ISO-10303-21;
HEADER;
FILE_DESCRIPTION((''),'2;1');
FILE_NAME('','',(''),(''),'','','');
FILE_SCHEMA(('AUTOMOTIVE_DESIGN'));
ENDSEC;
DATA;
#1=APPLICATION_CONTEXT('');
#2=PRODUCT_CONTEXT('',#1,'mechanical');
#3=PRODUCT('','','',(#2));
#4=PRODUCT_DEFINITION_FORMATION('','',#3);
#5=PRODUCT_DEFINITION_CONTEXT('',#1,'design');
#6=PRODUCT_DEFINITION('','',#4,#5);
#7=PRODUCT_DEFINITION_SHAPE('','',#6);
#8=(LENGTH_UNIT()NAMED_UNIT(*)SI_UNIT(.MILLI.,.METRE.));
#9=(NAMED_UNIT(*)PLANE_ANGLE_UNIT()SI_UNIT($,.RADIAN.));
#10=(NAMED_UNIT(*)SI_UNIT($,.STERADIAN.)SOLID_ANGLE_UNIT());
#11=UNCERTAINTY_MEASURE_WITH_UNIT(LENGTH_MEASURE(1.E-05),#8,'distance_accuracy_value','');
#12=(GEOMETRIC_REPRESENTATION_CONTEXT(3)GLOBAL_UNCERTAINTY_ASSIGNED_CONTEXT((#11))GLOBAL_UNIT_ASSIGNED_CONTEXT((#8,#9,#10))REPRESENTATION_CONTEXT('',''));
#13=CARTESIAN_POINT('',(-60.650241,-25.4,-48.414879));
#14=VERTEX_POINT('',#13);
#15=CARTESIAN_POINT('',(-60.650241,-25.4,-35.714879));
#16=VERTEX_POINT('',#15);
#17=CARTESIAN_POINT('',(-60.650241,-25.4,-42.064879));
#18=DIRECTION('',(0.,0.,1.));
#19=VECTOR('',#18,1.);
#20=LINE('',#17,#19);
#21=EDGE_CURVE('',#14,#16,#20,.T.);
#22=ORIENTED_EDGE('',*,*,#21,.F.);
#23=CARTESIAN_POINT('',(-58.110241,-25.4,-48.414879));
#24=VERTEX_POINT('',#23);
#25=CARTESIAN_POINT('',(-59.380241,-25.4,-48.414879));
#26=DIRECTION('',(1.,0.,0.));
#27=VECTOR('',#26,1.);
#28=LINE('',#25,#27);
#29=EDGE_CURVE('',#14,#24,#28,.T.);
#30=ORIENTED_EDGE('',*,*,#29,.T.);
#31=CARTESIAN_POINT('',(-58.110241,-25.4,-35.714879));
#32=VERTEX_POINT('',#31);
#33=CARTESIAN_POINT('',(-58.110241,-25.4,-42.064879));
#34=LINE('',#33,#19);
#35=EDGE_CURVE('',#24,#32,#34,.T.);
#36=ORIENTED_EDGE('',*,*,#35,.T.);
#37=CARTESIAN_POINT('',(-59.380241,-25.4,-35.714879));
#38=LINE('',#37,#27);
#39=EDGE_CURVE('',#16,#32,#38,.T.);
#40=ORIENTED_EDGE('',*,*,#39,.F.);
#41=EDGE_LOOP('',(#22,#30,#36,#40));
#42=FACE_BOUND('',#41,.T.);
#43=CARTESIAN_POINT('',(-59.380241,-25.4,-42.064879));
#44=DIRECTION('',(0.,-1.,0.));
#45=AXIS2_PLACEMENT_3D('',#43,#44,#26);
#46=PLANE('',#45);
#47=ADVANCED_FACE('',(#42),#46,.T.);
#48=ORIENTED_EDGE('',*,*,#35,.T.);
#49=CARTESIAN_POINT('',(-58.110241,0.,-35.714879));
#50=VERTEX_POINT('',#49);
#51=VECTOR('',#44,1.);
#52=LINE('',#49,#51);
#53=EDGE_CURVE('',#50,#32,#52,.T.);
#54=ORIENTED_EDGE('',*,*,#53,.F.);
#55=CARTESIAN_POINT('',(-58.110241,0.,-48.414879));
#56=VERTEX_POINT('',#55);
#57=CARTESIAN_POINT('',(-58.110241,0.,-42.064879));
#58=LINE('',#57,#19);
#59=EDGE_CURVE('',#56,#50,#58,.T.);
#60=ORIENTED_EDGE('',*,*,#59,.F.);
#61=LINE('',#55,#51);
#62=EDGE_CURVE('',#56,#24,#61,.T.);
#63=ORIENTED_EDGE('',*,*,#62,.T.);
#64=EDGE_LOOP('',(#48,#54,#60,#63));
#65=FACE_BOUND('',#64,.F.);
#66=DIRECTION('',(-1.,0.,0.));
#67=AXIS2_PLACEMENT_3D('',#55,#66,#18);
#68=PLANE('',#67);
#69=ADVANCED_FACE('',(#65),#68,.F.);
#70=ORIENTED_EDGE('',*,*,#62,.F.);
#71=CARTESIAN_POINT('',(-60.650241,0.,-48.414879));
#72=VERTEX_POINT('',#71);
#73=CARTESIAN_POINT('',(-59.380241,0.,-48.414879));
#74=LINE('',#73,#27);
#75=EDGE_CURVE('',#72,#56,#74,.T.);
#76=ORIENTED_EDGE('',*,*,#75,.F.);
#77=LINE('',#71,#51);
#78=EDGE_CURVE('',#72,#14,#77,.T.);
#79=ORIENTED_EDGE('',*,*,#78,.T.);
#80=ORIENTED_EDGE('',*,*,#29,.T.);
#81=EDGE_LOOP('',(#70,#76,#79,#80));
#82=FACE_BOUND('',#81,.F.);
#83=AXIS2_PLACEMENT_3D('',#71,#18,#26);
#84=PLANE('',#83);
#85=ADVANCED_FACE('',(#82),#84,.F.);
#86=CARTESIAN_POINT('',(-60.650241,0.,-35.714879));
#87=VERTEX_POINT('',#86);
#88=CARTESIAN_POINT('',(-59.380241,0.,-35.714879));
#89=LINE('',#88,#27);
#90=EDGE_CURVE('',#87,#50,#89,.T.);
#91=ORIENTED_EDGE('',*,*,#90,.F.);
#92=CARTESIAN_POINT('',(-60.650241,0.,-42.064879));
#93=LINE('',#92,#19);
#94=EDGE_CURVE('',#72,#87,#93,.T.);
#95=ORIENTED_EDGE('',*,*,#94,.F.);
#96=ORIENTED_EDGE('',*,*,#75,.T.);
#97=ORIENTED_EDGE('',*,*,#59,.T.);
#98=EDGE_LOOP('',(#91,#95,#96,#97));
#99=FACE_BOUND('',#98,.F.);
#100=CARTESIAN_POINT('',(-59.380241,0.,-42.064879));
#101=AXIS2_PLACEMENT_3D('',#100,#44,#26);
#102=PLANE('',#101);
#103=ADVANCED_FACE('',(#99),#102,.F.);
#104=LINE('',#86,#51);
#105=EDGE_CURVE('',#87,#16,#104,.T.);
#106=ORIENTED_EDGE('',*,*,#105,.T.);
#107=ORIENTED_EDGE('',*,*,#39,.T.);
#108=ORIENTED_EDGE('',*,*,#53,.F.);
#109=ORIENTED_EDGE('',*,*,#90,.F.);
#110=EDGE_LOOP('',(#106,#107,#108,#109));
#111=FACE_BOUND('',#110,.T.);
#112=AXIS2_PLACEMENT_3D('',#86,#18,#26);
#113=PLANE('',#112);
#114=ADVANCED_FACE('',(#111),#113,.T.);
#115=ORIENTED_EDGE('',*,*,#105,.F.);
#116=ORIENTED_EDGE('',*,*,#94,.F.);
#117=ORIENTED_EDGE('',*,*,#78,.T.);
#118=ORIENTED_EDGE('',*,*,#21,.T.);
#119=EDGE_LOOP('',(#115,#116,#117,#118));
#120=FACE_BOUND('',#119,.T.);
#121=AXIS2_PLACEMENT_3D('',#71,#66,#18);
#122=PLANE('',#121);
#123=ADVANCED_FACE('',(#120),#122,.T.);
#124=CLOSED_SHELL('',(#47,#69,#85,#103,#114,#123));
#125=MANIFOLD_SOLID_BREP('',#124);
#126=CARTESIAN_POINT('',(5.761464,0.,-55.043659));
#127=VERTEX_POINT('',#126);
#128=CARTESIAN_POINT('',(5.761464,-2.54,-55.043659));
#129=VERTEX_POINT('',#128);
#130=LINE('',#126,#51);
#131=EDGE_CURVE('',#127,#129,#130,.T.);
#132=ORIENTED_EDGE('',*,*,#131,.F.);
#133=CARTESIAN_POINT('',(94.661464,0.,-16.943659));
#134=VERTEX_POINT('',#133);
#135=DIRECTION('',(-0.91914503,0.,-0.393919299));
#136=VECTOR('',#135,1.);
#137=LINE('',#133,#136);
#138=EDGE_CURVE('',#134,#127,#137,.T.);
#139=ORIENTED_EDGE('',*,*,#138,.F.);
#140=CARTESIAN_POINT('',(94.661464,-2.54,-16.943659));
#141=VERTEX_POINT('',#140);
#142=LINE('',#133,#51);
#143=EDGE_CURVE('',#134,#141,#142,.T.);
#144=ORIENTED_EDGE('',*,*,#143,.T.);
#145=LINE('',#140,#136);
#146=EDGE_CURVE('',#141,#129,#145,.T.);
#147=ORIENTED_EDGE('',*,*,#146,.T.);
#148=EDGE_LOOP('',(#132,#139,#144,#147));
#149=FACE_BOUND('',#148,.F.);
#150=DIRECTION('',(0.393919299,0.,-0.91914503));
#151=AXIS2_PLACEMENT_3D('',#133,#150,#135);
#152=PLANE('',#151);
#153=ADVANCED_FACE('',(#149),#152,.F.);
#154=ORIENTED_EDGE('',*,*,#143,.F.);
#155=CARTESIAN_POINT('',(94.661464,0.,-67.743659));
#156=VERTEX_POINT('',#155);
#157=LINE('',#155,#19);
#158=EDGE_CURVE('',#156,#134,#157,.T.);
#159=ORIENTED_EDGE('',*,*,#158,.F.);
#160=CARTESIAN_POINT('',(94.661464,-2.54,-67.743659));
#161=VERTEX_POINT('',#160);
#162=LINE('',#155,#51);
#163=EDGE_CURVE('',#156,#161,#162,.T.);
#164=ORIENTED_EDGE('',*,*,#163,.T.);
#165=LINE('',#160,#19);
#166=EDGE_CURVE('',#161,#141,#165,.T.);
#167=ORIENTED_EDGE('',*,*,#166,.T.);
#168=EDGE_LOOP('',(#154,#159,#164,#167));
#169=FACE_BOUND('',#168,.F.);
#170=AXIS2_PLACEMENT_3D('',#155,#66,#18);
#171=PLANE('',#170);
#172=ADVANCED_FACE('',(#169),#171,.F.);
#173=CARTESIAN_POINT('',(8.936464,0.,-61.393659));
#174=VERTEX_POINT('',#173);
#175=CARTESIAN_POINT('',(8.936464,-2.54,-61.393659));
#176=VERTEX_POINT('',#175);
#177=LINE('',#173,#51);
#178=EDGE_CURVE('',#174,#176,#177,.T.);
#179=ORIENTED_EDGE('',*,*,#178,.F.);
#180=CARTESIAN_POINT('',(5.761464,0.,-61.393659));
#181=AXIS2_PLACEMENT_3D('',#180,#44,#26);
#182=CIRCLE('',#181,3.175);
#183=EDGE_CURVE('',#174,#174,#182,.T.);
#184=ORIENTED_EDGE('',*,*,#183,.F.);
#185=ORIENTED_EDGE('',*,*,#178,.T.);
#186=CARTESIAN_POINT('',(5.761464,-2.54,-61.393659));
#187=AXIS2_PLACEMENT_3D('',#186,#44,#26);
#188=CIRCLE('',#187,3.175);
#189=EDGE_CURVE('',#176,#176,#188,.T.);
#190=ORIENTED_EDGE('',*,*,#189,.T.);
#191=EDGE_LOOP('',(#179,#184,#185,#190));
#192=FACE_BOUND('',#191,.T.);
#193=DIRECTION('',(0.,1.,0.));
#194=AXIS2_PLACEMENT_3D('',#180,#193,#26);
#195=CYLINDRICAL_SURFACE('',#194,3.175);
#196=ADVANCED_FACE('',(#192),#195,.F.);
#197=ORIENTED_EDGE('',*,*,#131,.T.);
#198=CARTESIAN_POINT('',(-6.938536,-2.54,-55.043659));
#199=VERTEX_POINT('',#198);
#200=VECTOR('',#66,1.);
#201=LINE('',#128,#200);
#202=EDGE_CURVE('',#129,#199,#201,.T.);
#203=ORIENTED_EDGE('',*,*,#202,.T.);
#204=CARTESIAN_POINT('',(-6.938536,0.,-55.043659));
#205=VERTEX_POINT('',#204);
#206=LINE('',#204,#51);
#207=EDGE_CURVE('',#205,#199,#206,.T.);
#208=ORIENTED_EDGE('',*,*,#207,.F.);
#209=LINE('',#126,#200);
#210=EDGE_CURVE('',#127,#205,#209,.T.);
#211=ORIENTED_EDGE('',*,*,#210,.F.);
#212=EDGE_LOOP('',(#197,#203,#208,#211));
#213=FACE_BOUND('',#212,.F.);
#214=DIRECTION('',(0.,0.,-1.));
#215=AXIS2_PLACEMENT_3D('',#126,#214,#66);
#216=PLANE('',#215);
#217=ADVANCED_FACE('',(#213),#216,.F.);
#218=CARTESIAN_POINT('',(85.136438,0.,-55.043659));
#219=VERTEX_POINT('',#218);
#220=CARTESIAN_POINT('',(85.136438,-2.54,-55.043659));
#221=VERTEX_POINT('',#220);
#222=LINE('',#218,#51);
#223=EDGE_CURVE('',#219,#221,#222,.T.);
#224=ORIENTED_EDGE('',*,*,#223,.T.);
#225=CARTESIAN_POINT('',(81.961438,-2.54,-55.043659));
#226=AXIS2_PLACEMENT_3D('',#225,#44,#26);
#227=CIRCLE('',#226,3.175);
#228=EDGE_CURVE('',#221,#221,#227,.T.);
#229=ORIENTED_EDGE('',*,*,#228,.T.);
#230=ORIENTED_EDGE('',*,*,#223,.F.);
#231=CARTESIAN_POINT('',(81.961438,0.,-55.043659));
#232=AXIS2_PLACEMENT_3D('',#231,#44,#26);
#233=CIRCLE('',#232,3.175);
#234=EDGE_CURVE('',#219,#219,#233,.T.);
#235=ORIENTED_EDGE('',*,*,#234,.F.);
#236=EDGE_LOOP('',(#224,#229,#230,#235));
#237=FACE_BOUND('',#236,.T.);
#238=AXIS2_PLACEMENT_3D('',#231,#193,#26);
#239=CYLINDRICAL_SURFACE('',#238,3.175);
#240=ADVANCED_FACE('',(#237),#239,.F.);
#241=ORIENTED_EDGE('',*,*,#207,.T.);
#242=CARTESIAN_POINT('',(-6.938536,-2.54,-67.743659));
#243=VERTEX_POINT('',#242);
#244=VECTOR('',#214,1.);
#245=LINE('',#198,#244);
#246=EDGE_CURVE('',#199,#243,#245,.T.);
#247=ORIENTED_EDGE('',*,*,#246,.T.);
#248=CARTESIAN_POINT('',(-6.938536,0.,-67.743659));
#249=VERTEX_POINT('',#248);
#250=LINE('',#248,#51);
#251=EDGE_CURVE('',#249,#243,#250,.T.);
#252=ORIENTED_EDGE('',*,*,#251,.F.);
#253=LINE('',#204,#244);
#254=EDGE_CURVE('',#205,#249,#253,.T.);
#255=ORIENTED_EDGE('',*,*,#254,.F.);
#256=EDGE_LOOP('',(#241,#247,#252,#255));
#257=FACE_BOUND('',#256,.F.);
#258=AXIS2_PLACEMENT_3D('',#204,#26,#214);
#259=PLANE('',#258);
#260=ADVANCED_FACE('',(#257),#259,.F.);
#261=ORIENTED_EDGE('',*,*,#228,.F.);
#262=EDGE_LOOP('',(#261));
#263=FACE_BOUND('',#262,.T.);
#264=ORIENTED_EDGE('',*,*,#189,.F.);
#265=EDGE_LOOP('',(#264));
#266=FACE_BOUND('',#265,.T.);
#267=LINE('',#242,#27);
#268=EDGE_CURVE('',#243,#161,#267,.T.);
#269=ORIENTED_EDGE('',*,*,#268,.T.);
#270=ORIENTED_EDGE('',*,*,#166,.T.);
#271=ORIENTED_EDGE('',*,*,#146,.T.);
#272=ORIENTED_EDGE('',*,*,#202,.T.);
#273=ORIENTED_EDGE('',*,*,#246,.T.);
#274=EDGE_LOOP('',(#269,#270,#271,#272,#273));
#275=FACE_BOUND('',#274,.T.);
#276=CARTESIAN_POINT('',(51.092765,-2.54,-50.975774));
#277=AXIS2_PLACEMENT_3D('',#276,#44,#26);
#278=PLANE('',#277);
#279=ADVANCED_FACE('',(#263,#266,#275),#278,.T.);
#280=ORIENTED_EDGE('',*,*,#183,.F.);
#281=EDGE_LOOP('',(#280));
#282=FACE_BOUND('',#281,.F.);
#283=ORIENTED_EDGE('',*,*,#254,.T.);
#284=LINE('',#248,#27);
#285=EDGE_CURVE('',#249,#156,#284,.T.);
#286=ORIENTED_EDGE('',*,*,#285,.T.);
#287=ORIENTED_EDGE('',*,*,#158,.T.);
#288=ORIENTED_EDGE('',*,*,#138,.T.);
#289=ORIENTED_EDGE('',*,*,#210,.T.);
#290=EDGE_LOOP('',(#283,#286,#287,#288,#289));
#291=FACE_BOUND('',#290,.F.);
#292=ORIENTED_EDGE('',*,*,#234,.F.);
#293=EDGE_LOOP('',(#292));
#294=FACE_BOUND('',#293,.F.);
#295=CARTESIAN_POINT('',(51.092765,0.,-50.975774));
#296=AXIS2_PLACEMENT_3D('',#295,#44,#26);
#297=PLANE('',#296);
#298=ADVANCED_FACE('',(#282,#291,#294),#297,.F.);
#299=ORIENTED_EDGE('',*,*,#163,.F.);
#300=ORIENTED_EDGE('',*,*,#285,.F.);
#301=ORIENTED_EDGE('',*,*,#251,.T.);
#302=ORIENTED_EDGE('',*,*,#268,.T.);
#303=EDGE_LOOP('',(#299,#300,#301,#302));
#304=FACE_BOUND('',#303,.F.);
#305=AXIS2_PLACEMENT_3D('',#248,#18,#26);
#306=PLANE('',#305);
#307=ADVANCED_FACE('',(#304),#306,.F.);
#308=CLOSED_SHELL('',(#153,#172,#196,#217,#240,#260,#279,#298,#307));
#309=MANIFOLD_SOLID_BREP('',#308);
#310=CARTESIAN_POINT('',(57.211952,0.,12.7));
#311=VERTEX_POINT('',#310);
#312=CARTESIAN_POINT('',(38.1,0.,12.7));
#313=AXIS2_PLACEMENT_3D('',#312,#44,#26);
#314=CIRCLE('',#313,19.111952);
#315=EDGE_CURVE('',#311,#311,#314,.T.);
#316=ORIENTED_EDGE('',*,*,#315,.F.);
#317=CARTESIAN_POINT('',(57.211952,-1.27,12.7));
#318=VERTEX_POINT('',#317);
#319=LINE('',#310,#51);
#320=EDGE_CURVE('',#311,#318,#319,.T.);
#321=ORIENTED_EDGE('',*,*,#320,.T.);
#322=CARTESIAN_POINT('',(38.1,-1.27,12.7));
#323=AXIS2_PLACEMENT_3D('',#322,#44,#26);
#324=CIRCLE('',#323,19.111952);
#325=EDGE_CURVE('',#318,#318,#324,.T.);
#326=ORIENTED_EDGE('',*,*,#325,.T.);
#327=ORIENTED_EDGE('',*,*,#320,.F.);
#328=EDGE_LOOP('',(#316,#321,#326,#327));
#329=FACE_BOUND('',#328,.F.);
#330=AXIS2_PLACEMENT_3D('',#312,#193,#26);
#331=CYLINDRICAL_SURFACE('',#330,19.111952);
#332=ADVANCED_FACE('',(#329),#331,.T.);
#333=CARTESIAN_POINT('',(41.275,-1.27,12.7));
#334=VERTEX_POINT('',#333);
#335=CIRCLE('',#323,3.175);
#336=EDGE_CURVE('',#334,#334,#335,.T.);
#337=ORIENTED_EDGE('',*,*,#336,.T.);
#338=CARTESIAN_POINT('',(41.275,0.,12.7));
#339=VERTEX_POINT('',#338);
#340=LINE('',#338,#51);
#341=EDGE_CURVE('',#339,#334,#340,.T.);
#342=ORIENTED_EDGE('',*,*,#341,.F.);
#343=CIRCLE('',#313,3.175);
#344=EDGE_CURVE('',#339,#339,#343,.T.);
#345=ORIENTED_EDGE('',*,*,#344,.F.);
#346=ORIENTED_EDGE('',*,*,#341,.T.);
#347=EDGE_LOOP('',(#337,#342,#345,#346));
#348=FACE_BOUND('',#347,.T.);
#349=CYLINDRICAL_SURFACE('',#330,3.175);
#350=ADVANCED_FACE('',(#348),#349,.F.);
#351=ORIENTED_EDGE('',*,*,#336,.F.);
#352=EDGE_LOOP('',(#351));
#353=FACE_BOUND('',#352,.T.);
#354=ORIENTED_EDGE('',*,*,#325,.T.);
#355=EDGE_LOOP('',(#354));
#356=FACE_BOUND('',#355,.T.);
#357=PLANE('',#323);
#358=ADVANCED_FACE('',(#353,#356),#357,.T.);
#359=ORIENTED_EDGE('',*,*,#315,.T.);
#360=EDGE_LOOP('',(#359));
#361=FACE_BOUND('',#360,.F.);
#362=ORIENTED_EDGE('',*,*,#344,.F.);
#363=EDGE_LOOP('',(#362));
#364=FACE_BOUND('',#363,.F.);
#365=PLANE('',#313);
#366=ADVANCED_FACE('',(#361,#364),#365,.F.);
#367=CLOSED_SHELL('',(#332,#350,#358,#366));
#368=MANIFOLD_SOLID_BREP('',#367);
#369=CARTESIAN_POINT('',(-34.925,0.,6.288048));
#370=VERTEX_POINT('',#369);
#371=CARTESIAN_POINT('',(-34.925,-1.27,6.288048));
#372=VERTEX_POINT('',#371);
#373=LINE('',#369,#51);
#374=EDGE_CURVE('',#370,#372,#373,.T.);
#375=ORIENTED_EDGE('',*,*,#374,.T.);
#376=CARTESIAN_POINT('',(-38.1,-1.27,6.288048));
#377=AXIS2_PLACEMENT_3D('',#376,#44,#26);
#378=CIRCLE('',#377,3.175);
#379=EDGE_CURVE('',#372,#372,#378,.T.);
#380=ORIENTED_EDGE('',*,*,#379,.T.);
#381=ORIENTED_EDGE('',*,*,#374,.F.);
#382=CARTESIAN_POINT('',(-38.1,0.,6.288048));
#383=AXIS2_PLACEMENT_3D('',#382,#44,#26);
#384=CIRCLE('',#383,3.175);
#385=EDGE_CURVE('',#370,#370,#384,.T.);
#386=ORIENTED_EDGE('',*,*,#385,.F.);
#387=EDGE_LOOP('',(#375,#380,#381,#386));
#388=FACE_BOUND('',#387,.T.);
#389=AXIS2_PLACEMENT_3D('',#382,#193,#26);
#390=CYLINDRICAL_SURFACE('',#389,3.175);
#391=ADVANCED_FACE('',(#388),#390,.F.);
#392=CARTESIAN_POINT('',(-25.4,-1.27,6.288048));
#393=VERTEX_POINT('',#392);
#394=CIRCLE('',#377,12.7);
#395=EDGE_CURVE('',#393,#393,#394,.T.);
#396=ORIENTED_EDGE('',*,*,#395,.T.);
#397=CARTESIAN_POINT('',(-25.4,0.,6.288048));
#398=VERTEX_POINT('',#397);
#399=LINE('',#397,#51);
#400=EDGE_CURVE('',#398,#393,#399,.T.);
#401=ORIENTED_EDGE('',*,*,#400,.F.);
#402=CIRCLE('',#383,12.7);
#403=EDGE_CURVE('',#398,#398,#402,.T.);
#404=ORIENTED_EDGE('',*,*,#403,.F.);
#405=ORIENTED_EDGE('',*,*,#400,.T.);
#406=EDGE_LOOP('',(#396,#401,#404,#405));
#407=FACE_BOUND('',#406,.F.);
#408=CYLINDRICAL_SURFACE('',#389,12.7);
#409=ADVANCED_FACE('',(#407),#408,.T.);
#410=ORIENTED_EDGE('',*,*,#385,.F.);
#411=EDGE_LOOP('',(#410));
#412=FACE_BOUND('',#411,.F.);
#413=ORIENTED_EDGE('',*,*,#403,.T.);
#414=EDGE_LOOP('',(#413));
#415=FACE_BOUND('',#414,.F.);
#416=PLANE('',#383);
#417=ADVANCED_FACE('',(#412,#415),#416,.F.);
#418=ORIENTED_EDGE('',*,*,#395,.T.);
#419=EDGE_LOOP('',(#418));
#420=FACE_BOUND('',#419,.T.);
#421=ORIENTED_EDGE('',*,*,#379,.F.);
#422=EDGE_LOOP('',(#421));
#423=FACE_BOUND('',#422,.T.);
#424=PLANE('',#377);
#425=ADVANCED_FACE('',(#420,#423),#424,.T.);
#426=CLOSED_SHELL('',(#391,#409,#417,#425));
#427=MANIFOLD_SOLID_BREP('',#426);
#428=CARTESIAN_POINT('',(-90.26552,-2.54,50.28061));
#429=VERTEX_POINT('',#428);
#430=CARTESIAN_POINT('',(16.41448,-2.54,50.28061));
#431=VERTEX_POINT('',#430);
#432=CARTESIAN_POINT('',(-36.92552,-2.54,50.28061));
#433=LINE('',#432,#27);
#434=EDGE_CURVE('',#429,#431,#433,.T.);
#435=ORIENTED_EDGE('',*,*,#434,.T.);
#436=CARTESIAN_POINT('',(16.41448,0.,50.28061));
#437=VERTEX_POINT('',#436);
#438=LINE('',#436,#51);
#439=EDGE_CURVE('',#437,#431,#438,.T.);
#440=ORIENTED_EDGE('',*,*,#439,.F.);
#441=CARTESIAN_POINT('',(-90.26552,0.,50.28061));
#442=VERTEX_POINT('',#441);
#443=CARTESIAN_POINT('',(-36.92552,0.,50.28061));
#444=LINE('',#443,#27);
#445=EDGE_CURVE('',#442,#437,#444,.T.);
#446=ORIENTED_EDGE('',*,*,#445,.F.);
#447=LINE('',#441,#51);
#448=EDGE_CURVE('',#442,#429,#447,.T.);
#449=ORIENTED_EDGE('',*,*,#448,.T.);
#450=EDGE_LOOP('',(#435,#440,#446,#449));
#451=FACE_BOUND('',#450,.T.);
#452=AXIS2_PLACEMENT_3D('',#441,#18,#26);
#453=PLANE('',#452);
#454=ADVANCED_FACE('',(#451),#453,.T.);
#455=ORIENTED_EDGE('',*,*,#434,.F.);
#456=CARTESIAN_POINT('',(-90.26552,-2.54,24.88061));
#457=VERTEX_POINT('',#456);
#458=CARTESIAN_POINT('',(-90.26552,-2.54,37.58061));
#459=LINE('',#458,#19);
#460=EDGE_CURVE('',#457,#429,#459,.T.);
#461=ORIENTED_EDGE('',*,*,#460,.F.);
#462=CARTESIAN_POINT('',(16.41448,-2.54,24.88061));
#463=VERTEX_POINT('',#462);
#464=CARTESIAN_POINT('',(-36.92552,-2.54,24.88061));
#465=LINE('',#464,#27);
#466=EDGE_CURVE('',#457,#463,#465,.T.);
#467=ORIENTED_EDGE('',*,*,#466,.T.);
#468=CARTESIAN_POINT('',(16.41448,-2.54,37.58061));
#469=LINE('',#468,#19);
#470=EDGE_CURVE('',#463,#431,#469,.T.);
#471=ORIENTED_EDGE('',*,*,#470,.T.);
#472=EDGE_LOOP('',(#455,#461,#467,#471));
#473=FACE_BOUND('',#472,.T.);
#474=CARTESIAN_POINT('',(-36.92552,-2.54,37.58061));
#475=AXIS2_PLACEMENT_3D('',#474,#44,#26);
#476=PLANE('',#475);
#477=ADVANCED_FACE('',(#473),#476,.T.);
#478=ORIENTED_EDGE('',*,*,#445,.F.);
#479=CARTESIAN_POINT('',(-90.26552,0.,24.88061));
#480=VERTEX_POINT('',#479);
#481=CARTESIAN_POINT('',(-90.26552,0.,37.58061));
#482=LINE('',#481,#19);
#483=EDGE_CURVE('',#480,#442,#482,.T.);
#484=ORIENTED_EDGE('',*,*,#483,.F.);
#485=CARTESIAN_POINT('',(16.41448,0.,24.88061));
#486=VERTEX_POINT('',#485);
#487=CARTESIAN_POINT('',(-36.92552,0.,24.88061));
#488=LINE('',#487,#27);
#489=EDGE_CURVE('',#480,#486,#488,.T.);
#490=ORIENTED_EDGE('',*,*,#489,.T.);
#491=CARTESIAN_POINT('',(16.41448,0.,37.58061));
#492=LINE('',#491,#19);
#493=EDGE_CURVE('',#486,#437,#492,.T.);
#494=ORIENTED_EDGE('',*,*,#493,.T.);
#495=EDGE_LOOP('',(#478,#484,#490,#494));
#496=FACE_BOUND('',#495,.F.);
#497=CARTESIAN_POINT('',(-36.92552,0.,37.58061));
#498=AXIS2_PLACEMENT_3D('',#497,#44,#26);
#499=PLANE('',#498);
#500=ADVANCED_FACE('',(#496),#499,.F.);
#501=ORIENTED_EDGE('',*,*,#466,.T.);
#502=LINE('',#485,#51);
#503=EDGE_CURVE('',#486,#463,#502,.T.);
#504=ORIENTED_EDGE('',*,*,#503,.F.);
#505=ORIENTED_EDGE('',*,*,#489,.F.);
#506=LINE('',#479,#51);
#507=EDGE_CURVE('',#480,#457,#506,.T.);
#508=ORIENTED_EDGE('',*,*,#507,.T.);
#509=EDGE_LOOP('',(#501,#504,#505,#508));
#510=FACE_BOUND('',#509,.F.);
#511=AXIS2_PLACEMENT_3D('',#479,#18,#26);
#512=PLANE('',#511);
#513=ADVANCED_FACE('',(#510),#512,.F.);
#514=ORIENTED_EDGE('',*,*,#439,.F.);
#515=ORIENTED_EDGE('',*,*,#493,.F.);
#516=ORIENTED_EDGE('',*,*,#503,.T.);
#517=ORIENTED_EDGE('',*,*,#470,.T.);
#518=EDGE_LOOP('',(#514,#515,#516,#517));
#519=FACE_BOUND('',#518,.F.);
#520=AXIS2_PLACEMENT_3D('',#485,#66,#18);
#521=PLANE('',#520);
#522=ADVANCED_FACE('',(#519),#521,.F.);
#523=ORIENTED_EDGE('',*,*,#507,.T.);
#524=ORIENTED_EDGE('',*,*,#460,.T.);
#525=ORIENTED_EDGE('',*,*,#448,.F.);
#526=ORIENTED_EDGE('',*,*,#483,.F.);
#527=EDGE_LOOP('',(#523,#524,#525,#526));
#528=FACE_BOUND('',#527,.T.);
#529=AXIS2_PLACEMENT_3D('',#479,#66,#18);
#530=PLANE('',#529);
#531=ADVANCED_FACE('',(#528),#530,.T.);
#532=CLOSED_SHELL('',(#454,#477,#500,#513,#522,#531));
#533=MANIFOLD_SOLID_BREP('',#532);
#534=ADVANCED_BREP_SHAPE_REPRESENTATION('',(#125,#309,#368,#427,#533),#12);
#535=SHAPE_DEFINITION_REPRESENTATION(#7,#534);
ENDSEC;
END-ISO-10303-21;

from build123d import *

# Parameters (mm, degrees)
F0_R     = 12.7
F0_R_2   = 3.175
F0_R_3   = 19.111952
F1_DEPTH = 1.27
F2_DEPTH = 2.54
F0_W     = 2.54
F0_H     = 12.7
F3_DEPTH = 25.4
F0_W_2   = 106.68
F0_H_2   = 25.4
F4_DEPTH = 2.54


with BuildPart() as f1:
    # F0 (on Front) → F1 (new body)
    with BuildSketch(Plane.XZ):
        with Locations((-38.1, 6.288048)):
            Circle(F0_R)
        with Locations((-38.1, 6.288048)):
            Circle(F0_R_2, mode=Mode.SUBTRACT)
        with Locations((38.1, 12.7)):
            Circle(F0_R_3)
        with Locations((38.1, 12.7)):
            Circle(F0_R_2, mode=Mode.SUBTRACT)
    extrude(amount=F1_DEPTH)


with BuildPart() as f2:
    # F0 (on Front) → F2 (new body)
    with BuildSketch(Plane.XZ):
        Polygon((-6.938536, -67.743659), (43.861464, -67.743659), (94.661464, -67.743659), (94.661464, -16.943659), (5.761464, -55.043659), (-6.938536, -55.043659), align=None)
        with Locations((5.761464, -61.393659)):
            Circle(F0_R_2, mode=Mode.SUBTRACT)
        with Locations((81.961438, -55.043659)):
            Circle(F0_R_2, mode=Mode.SUBTRACT)
    extrude(amount=F2_DEPTH)


with BuildPart() as f3:
    # F0 (on Front) → F3 (new body)
    with BuildSketch(Plane.XZ):
        with Locations((-59.380241, -42.064879)):
            Rectangle(F0_W, F0_H)
    extrude(amount=F3_DEPTH)


with BuildPart() as f4:
    # F0 (on Front) → F4 (new body)
    with BuildSketch(Plane.XZ):
        with Locations((-36.92552, 37.58061)):
            Rectangle(F0_W_2, F0_H_2)
    extrude(amount=F4_DEPTH)


solid = Compound([f1.part, f2.part, f3.part, f4.part])
